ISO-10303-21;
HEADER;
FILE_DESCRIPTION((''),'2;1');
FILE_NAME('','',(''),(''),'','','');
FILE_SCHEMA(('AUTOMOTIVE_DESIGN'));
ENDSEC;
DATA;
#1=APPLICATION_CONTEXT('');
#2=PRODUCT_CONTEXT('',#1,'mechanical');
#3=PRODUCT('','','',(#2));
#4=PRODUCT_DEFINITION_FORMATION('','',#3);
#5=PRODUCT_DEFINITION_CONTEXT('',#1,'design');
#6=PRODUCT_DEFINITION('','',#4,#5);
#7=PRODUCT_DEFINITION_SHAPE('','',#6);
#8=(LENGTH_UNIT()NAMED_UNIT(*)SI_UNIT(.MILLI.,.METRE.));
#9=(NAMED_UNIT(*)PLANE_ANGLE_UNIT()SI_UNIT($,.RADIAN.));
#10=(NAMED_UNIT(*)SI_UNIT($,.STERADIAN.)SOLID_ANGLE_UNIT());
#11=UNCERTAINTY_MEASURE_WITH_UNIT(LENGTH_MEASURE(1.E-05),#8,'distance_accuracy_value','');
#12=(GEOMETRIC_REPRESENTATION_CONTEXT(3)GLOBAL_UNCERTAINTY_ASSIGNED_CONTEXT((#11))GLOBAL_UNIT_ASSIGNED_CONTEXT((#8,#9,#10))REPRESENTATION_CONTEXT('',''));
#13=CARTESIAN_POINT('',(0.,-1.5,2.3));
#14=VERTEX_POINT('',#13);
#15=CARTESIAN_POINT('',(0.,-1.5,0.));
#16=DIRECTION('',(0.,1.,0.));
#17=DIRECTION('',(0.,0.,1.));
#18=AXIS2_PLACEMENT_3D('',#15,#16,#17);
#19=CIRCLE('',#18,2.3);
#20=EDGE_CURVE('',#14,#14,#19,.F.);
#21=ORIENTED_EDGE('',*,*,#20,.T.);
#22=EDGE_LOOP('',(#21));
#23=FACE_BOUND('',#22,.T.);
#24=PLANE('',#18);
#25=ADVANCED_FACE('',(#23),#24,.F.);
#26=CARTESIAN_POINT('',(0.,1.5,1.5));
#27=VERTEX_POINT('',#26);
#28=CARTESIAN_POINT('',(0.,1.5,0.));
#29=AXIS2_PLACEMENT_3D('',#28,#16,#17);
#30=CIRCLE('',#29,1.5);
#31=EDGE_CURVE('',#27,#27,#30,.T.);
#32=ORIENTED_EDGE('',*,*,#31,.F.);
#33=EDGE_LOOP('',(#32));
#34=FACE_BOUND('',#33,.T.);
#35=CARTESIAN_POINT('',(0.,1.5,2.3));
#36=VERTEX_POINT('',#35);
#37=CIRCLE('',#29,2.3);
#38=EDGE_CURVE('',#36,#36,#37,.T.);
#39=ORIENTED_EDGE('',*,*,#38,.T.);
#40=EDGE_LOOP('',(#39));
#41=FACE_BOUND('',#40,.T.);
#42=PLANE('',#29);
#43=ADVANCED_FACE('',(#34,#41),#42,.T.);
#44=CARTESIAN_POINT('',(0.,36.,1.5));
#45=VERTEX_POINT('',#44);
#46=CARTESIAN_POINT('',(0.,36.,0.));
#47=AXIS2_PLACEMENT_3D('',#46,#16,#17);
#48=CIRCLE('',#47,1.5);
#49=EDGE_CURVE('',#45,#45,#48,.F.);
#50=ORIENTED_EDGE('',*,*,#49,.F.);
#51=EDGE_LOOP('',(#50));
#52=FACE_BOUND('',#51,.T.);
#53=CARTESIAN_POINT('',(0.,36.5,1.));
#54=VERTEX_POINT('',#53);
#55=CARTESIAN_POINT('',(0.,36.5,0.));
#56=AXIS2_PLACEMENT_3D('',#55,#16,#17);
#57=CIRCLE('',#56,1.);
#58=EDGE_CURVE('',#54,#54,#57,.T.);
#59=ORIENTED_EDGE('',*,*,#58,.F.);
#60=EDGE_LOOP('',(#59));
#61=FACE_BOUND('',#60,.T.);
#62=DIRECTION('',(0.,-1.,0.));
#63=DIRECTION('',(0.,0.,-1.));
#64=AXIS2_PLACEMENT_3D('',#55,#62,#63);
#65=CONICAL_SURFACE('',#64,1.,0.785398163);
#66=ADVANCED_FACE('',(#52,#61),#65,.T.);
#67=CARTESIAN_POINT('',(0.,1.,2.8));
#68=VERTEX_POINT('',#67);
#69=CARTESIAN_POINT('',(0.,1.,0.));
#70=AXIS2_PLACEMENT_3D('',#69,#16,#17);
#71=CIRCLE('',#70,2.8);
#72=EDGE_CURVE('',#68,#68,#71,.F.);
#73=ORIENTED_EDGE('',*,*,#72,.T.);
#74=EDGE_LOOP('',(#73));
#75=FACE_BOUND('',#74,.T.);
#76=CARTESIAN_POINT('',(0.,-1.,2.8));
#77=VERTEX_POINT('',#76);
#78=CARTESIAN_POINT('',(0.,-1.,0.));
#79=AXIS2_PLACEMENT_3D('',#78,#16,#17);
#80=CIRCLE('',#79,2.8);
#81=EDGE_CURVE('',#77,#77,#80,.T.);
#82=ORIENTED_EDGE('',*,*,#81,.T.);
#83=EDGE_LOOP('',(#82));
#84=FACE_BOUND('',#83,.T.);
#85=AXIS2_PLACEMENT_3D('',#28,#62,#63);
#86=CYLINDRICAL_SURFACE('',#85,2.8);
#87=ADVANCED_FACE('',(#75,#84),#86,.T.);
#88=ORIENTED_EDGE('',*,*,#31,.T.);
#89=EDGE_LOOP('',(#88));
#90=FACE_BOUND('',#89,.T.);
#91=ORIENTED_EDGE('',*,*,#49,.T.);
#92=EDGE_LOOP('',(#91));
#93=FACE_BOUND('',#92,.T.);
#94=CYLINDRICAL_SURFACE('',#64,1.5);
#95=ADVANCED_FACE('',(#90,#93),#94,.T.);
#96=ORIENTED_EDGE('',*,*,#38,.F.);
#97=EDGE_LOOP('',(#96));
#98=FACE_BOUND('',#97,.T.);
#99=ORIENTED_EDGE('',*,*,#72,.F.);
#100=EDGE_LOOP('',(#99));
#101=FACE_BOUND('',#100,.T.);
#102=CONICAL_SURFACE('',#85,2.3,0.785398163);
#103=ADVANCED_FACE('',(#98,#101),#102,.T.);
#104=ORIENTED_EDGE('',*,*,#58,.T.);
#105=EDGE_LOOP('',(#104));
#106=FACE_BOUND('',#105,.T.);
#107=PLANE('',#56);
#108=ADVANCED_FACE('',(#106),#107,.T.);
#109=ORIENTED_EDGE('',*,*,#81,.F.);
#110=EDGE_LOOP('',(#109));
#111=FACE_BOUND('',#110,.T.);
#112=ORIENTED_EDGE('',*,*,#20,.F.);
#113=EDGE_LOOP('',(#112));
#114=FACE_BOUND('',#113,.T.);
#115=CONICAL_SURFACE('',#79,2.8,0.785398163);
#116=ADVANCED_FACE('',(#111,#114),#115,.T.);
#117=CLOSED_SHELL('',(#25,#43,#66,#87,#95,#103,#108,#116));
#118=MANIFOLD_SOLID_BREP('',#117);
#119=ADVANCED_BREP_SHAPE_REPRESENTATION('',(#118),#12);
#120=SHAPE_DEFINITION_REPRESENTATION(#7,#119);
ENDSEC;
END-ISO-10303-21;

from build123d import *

# Parameters (mm, degrees)
SKETCH1_R           = 2.8
BOSS_EXTRUDE1_DEPTH = 1.5
SKETCH2_R           = 1.5
BOSS_EXTRUDE2_DEPTH = 35
CHAMFER1_SIZE       = 0.5
CHAMFER2_SIZE       = 0.5


with BuildPart() as part:
    # Sketch1 → Boss-Extrude1 (new body, symmetric)
    with BuildSketch(Plane(origin=(0, 0, 0), x_dir=(1, 0, 0), z_dir=(0, 1, 0))):
        Circle(SKETCH1_R)
    extrude(amount=BOSS_EXTRUDE1_DEPTH, both=True)

    # Sketch2 → Boss-Extrude2 (add)
    with BuildSketch(Plane(origin=(0, 1.5, 0), x_dir=(1, 0, 0), z_dir=(0, 1, 0))):
        Circle(SKETCH2_R)
    extrude(amount=BOSS_EXTRUDE2_DEPTH)

    # Chamfer1
    chamfer1_edges = [part.edges().sort_by_distance(p)[0] for p in [
        (-1.5, 36.5, 0),
    ]]
    chamfer(chamfer1_edges, length=CHAMFER1_SIZE)

    # Chamfer2
    chamfer2_edges = [part.edges().sort_by_distance(p)[0] for p in [
        (-2.8, -1.5, 0),
        (-2.8, 1.5, 0),
    ]]
    chamfer(chamfer2_edges, length=CHAMFER2_SIZE)


solid = part.part
